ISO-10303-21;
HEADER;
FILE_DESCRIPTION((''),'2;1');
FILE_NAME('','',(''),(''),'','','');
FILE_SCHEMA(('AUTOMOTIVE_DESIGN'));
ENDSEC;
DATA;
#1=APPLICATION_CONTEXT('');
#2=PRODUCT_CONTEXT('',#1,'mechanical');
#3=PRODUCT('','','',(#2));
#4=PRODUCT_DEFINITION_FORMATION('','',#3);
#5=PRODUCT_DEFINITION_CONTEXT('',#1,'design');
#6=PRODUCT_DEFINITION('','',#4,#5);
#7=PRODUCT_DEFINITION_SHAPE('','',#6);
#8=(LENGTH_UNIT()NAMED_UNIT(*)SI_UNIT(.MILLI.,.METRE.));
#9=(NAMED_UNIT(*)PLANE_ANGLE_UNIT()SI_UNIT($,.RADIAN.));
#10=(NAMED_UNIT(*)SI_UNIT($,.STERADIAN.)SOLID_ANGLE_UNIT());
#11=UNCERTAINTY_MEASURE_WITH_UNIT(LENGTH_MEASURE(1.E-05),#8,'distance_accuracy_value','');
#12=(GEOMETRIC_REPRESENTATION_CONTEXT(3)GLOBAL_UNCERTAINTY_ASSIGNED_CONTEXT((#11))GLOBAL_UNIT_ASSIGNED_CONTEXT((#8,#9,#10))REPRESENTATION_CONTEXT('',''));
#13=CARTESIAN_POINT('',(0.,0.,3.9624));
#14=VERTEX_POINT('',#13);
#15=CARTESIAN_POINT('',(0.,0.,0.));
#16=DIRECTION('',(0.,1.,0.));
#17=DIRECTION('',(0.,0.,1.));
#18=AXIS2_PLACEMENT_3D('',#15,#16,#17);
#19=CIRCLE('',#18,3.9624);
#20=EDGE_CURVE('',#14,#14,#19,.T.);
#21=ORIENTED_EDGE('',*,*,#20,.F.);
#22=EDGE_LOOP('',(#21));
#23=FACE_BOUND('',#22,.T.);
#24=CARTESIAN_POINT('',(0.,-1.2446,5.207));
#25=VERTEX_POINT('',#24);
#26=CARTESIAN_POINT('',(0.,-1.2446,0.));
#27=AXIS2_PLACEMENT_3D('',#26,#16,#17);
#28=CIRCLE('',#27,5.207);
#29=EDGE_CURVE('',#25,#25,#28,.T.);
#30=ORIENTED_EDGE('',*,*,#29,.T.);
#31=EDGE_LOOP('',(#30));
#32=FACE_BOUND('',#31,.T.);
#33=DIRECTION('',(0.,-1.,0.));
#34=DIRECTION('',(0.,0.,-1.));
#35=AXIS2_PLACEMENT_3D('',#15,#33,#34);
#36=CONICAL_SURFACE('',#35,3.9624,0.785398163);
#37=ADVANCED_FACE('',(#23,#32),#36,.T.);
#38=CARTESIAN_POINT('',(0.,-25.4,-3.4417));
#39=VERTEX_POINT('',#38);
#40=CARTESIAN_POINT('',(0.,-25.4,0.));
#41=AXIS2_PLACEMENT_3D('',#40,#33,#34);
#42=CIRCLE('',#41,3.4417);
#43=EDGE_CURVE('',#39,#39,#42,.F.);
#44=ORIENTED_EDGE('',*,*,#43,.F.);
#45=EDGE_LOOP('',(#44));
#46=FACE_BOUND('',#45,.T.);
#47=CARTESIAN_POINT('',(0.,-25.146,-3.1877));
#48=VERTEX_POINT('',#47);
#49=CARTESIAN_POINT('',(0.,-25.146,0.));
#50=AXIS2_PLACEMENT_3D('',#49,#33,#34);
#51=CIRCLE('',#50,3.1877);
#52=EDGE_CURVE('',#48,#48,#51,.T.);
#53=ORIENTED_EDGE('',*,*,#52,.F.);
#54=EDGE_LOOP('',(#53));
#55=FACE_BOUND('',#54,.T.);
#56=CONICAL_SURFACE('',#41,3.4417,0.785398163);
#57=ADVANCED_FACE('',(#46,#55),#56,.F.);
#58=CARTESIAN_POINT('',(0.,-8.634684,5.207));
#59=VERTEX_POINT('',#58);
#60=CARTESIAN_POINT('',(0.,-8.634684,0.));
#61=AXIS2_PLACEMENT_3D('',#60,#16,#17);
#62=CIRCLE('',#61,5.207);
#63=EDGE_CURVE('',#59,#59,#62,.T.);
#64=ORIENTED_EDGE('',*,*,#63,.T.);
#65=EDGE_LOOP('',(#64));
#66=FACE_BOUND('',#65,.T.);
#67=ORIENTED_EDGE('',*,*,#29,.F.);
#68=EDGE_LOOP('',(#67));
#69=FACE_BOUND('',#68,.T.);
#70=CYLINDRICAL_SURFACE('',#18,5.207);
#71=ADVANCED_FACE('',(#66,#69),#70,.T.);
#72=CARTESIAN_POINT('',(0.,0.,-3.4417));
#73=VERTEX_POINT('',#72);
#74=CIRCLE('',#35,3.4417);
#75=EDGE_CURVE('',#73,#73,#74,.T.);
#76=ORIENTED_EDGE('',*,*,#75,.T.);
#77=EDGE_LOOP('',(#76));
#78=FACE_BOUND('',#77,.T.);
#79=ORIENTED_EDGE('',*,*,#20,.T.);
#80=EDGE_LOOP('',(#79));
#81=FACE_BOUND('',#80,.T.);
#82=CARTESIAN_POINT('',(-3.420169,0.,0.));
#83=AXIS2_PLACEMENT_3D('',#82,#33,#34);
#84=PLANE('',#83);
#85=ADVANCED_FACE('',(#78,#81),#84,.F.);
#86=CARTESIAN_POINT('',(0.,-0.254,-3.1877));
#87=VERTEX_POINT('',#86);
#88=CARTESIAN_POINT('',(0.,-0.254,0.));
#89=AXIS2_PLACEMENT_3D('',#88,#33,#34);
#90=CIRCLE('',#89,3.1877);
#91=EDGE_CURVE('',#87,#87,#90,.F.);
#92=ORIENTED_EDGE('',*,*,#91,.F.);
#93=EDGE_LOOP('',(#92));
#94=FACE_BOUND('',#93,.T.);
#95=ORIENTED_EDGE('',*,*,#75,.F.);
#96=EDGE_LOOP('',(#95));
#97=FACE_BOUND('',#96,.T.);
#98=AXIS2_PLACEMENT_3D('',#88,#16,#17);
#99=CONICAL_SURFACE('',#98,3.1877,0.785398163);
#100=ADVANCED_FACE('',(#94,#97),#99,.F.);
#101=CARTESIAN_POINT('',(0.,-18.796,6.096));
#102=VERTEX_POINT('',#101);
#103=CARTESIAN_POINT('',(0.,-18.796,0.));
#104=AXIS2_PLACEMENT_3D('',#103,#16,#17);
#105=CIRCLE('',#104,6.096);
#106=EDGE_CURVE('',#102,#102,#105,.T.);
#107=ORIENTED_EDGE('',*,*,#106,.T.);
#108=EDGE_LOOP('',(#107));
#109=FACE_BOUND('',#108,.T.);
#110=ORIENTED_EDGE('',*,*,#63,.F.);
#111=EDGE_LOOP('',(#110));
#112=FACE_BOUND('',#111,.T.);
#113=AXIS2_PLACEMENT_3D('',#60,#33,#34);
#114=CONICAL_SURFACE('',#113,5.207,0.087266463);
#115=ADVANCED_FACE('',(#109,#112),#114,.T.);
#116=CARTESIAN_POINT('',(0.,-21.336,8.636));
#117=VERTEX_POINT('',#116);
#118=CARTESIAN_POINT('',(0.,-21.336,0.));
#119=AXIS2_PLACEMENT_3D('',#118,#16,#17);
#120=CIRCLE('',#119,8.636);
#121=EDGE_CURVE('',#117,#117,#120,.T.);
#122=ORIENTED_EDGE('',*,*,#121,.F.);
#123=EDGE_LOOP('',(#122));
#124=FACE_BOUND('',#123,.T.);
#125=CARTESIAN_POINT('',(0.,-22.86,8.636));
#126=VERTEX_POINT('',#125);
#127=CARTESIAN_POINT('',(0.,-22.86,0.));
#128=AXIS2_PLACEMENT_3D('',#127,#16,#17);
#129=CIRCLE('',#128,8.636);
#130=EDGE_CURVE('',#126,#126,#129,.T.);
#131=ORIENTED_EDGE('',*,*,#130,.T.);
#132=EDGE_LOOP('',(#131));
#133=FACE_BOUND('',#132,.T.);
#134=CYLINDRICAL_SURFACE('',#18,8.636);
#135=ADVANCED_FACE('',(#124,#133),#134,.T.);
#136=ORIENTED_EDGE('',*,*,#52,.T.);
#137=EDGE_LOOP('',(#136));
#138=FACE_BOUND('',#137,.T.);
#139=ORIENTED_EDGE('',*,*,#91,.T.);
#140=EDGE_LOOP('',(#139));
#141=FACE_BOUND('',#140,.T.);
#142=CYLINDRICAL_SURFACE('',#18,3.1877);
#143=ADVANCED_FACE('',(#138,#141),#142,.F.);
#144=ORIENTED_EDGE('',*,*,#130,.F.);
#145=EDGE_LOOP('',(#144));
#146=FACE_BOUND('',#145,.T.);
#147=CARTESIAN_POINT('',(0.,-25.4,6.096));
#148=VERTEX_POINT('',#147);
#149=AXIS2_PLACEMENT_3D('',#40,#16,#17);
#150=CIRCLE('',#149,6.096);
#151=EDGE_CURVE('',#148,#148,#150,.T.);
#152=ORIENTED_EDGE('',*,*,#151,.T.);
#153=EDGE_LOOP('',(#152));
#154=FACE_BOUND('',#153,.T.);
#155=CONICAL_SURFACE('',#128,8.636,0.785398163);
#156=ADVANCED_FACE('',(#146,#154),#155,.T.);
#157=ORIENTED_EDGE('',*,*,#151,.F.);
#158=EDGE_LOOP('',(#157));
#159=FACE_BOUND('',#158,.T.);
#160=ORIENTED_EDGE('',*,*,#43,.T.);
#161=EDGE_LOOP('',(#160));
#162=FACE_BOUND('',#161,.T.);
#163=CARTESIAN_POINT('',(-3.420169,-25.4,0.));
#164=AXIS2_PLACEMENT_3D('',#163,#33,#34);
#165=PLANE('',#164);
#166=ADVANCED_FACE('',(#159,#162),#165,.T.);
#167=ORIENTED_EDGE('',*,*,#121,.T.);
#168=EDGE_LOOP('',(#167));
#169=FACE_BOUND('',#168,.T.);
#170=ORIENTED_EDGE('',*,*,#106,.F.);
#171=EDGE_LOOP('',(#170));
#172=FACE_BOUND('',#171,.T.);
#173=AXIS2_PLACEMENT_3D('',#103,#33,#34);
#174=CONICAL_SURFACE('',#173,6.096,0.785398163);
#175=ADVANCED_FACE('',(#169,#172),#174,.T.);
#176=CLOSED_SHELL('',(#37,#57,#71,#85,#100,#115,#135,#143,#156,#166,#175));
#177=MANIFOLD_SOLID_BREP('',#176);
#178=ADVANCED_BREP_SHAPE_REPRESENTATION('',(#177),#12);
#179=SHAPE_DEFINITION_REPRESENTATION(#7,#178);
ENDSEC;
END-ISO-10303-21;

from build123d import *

# Parameters (mm, degrees)
CHAMFER1_SIZE = 0.254


with BuildPart() as part:
    # Sketch1 → Revolve1 (revolve)
    with BuildSketch(Plane.XY, mode=Mode.PRIVATE) as revolve1_sk:
        Polygon((-3.9624, 0), (-3.1877, 0), (-3.1877, -25.4), (-6.096, -25.4), (-8.636, -22.86), (-8.636, -21.336), (-6.096, -18.796), (-5.207, -8.634683503), (-5.207, -1.2446), align=None)
    revolve(revolve1_sk.sketch.rotate(Axis((0, 0, 0), (0, -1, 0)), 270), axis=Axis((0, 0, 0), (0, -1, 0)))

    # Chamfer1
    chamfer1_edges = [part.edges().sort_by_distance(p)[0] for p in [
        (0, 0, -3.1877),
        (0, -25.4, -3.1877),
    ]]
    chamfer(chamfer1_edges, length=CHAMFER1_SIZE)


solid = part.part
